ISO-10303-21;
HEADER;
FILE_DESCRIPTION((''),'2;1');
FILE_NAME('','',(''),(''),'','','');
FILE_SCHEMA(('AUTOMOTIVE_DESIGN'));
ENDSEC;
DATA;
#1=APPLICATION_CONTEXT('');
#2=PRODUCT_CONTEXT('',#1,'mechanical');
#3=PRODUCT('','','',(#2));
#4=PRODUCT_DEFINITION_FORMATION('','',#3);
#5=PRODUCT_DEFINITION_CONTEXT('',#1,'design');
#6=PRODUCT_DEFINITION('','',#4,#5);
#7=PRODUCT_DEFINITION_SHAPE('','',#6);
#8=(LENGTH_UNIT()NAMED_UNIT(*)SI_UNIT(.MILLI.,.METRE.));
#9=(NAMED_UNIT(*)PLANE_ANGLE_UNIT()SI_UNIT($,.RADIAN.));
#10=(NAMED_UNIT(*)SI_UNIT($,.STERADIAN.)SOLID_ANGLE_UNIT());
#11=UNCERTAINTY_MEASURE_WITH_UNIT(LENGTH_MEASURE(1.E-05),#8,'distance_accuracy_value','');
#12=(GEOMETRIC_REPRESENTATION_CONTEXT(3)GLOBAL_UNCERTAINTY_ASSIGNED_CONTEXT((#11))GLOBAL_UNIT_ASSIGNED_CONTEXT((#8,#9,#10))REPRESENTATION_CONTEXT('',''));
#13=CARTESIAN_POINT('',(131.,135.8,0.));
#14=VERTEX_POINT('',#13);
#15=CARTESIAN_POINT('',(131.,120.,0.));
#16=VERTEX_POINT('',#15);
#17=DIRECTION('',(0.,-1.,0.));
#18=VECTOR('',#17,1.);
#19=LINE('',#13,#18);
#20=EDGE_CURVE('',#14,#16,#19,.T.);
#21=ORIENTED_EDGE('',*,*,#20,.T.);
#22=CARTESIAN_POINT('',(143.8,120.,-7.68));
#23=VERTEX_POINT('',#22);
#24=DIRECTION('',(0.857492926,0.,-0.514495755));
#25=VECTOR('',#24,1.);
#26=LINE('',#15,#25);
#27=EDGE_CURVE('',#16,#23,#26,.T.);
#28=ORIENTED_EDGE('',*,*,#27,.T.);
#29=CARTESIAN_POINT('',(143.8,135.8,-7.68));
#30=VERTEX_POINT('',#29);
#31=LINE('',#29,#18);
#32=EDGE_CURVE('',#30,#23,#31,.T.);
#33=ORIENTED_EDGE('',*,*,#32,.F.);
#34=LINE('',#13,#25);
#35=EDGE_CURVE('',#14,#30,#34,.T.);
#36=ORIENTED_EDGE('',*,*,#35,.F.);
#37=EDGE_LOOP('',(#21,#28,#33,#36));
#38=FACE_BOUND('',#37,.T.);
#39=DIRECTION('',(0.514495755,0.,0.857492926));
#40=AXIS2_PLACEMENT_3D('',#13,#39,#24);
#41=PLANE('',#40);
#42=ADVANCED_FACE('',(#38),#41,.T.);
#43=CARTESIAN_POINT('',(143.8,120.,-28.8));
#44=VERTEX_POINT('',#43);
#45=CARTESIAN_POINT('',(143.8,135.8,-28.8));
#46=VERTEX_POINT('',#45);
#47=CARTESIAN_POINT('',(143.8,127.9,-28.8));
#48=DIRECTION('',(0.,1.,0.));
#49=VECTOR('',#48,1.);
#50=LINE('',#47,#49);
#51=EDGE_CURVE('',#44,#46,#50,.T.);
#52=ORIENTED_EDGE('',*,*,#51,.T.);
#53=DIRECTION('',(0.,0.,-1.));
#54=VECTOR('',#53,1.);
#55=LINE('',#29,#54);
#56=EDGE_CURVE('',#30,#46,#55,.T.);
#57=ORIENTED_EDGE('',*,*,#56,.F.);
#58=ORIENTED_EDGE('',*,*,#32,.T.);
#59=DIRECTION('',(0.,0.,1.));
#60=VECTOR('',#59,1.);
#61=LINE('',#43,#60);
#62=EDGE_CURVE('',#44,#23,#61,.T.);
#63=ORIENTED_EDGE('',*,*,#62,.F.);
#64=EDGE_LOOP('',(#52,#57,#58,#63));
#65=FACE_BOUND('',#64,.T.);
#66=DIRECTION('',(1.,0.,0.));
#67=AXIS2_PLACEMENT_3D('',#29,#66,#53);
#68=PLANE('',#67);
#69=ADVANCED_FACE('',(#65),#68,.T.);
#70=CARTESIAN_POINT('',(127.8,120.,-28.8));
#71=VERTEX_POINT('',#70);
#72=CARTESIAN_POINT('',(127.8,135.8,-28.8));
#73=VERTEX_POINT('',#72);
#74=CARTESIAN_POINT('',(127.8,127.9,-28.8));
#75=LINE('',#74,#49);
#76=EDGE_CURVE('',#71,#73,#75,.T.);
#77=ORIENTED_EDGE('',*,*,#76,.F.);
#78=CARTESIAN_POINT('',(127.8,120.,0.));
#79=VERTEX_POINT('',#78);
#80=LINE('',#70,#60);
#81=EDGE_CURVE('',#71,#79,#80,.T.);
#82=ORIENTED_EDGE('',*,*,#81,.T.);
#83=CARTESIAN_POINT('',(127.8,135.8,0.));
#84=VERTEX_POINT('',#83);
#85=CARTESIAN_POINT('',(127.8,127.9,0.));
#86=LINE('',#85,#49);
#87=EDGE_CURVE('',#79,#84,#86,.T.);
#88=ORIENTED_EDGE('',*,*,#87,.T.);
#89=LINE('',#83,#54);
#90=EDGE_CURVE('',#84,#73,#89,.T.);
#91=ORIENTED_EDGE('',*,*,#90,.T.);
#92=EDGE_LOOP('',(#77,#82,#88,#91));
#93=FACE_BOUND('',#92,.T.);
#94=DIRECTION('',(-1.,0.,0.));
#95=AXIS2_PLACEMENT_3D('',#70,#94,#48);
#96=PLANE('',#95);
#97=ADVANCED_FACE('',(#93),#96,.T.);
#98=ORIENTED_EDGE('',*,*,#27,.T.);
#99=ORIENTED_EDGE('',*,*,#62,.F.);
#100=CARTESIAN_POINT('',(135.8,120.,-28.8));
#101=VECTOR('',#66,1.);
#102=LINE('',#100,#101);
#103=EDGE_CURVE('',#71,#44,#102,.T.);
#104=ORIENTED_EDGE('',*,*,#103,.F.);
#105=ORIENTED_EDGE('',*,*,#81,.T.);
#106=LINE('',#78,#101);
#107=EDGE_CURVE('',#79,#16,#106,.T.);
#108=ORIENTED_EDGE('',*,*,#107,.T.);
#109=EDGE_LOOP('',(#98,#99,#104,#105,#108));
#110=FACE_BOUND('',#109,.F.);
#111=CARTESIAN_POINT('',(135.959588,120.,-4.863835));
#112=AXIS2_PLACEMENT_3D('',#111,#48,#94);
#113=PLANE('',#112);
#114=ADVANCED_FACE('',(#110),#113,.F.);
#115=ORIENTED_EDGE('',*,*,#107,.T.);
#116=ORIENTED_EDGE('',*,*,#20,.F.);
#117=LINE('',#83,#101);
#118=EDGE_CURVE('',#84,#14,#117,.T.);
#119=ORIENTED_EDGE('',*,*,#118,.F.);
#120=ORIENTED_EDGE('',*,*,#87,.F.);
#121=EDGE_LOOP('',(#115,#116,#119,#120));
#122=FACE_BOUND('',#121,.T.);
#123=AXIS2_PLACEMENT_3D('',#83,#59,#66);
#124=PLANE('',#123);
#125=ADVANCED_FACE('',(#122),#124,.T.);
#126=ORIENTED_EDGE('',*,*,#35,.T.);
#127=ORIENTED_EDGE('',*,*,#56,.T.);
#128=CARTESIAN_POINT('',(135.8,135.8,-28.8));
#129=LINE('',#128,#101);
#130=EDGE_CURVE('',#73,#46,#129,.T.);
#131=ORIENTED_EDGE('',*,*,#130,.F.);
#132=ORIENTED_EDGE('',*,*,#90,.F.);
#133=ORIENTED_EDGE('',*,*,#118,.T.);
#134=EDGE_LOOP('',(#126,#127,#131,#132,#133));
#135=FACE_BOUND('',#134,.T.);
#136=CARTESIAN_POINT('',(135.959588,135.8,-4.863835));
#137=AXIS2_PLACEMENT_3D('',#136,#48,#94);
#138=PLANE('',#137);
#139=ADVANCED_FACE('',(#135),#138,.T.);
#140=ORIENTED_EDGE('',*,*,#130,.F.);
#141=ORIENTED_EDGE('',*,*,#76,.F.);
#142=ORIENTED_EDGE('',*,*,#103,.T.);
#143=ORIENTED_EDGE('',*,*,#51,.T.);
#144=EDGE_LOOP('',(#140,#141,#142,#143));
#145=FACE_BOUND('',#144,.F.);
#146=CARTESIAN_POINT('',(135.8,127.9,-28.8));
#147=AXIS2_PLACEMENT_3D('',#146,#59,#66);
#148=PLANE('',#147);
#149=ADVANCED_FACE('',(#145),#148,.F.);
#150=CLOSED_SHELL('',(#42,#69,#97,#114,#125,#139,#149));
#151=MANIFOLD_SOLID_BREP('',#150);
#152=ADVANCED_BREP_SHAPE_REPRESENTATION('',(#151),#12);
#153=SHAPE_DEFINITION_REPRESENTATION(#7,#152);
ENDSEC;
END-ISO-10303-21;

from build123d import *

# Parameters (mm, degrees)
SKETCH006_W     = 16
SKETCH006_H     = 15.8
PAD005_DEPTH    = 28.8
POCKET001_DEPTH = 16
PAD128_DEPTH    = 15.8


with BuildPart() as part:
    # Sketch006 (on Face72 of Binder001) → Pad005 (new body)
    with BuildSketch(Plane.XY.offset(-28.8)):
        with Locations((135.8, 127.9)):
            Rectangle(SKETCH006_W, SKETCH006_H)
    extrude(amount=PAD005_DEPTH)

    # Sketch007 (on Face3 of Pad005) → Pocket001 (cut)
    with BuildSketch(Plane.XZ.offset(-120)):
        Polygon((127.8, 0), (143.8, -9.6), (143.8, 0), align=None)
    extrude(amount=-POCKET001_DEPTH, mode=Mode.SUBTRACT)

    # Sketch128 (on Face1 of Pocket001) → Pad128 (join)
    with BuildSketch(Plane(origin=(0, 135.8, 0), x_dir=(-1, 0, 0), z_dir=(0, 1, 0))):
        Polygon((-127.8, 0), (-131, 0), (-143.8, -7.68), (-143.8, -10.88), (-131, -3.2), (-127.8, -3.2), align=None)
    extrude(amount=-PAD128_DEPTH)


solid = part.part
